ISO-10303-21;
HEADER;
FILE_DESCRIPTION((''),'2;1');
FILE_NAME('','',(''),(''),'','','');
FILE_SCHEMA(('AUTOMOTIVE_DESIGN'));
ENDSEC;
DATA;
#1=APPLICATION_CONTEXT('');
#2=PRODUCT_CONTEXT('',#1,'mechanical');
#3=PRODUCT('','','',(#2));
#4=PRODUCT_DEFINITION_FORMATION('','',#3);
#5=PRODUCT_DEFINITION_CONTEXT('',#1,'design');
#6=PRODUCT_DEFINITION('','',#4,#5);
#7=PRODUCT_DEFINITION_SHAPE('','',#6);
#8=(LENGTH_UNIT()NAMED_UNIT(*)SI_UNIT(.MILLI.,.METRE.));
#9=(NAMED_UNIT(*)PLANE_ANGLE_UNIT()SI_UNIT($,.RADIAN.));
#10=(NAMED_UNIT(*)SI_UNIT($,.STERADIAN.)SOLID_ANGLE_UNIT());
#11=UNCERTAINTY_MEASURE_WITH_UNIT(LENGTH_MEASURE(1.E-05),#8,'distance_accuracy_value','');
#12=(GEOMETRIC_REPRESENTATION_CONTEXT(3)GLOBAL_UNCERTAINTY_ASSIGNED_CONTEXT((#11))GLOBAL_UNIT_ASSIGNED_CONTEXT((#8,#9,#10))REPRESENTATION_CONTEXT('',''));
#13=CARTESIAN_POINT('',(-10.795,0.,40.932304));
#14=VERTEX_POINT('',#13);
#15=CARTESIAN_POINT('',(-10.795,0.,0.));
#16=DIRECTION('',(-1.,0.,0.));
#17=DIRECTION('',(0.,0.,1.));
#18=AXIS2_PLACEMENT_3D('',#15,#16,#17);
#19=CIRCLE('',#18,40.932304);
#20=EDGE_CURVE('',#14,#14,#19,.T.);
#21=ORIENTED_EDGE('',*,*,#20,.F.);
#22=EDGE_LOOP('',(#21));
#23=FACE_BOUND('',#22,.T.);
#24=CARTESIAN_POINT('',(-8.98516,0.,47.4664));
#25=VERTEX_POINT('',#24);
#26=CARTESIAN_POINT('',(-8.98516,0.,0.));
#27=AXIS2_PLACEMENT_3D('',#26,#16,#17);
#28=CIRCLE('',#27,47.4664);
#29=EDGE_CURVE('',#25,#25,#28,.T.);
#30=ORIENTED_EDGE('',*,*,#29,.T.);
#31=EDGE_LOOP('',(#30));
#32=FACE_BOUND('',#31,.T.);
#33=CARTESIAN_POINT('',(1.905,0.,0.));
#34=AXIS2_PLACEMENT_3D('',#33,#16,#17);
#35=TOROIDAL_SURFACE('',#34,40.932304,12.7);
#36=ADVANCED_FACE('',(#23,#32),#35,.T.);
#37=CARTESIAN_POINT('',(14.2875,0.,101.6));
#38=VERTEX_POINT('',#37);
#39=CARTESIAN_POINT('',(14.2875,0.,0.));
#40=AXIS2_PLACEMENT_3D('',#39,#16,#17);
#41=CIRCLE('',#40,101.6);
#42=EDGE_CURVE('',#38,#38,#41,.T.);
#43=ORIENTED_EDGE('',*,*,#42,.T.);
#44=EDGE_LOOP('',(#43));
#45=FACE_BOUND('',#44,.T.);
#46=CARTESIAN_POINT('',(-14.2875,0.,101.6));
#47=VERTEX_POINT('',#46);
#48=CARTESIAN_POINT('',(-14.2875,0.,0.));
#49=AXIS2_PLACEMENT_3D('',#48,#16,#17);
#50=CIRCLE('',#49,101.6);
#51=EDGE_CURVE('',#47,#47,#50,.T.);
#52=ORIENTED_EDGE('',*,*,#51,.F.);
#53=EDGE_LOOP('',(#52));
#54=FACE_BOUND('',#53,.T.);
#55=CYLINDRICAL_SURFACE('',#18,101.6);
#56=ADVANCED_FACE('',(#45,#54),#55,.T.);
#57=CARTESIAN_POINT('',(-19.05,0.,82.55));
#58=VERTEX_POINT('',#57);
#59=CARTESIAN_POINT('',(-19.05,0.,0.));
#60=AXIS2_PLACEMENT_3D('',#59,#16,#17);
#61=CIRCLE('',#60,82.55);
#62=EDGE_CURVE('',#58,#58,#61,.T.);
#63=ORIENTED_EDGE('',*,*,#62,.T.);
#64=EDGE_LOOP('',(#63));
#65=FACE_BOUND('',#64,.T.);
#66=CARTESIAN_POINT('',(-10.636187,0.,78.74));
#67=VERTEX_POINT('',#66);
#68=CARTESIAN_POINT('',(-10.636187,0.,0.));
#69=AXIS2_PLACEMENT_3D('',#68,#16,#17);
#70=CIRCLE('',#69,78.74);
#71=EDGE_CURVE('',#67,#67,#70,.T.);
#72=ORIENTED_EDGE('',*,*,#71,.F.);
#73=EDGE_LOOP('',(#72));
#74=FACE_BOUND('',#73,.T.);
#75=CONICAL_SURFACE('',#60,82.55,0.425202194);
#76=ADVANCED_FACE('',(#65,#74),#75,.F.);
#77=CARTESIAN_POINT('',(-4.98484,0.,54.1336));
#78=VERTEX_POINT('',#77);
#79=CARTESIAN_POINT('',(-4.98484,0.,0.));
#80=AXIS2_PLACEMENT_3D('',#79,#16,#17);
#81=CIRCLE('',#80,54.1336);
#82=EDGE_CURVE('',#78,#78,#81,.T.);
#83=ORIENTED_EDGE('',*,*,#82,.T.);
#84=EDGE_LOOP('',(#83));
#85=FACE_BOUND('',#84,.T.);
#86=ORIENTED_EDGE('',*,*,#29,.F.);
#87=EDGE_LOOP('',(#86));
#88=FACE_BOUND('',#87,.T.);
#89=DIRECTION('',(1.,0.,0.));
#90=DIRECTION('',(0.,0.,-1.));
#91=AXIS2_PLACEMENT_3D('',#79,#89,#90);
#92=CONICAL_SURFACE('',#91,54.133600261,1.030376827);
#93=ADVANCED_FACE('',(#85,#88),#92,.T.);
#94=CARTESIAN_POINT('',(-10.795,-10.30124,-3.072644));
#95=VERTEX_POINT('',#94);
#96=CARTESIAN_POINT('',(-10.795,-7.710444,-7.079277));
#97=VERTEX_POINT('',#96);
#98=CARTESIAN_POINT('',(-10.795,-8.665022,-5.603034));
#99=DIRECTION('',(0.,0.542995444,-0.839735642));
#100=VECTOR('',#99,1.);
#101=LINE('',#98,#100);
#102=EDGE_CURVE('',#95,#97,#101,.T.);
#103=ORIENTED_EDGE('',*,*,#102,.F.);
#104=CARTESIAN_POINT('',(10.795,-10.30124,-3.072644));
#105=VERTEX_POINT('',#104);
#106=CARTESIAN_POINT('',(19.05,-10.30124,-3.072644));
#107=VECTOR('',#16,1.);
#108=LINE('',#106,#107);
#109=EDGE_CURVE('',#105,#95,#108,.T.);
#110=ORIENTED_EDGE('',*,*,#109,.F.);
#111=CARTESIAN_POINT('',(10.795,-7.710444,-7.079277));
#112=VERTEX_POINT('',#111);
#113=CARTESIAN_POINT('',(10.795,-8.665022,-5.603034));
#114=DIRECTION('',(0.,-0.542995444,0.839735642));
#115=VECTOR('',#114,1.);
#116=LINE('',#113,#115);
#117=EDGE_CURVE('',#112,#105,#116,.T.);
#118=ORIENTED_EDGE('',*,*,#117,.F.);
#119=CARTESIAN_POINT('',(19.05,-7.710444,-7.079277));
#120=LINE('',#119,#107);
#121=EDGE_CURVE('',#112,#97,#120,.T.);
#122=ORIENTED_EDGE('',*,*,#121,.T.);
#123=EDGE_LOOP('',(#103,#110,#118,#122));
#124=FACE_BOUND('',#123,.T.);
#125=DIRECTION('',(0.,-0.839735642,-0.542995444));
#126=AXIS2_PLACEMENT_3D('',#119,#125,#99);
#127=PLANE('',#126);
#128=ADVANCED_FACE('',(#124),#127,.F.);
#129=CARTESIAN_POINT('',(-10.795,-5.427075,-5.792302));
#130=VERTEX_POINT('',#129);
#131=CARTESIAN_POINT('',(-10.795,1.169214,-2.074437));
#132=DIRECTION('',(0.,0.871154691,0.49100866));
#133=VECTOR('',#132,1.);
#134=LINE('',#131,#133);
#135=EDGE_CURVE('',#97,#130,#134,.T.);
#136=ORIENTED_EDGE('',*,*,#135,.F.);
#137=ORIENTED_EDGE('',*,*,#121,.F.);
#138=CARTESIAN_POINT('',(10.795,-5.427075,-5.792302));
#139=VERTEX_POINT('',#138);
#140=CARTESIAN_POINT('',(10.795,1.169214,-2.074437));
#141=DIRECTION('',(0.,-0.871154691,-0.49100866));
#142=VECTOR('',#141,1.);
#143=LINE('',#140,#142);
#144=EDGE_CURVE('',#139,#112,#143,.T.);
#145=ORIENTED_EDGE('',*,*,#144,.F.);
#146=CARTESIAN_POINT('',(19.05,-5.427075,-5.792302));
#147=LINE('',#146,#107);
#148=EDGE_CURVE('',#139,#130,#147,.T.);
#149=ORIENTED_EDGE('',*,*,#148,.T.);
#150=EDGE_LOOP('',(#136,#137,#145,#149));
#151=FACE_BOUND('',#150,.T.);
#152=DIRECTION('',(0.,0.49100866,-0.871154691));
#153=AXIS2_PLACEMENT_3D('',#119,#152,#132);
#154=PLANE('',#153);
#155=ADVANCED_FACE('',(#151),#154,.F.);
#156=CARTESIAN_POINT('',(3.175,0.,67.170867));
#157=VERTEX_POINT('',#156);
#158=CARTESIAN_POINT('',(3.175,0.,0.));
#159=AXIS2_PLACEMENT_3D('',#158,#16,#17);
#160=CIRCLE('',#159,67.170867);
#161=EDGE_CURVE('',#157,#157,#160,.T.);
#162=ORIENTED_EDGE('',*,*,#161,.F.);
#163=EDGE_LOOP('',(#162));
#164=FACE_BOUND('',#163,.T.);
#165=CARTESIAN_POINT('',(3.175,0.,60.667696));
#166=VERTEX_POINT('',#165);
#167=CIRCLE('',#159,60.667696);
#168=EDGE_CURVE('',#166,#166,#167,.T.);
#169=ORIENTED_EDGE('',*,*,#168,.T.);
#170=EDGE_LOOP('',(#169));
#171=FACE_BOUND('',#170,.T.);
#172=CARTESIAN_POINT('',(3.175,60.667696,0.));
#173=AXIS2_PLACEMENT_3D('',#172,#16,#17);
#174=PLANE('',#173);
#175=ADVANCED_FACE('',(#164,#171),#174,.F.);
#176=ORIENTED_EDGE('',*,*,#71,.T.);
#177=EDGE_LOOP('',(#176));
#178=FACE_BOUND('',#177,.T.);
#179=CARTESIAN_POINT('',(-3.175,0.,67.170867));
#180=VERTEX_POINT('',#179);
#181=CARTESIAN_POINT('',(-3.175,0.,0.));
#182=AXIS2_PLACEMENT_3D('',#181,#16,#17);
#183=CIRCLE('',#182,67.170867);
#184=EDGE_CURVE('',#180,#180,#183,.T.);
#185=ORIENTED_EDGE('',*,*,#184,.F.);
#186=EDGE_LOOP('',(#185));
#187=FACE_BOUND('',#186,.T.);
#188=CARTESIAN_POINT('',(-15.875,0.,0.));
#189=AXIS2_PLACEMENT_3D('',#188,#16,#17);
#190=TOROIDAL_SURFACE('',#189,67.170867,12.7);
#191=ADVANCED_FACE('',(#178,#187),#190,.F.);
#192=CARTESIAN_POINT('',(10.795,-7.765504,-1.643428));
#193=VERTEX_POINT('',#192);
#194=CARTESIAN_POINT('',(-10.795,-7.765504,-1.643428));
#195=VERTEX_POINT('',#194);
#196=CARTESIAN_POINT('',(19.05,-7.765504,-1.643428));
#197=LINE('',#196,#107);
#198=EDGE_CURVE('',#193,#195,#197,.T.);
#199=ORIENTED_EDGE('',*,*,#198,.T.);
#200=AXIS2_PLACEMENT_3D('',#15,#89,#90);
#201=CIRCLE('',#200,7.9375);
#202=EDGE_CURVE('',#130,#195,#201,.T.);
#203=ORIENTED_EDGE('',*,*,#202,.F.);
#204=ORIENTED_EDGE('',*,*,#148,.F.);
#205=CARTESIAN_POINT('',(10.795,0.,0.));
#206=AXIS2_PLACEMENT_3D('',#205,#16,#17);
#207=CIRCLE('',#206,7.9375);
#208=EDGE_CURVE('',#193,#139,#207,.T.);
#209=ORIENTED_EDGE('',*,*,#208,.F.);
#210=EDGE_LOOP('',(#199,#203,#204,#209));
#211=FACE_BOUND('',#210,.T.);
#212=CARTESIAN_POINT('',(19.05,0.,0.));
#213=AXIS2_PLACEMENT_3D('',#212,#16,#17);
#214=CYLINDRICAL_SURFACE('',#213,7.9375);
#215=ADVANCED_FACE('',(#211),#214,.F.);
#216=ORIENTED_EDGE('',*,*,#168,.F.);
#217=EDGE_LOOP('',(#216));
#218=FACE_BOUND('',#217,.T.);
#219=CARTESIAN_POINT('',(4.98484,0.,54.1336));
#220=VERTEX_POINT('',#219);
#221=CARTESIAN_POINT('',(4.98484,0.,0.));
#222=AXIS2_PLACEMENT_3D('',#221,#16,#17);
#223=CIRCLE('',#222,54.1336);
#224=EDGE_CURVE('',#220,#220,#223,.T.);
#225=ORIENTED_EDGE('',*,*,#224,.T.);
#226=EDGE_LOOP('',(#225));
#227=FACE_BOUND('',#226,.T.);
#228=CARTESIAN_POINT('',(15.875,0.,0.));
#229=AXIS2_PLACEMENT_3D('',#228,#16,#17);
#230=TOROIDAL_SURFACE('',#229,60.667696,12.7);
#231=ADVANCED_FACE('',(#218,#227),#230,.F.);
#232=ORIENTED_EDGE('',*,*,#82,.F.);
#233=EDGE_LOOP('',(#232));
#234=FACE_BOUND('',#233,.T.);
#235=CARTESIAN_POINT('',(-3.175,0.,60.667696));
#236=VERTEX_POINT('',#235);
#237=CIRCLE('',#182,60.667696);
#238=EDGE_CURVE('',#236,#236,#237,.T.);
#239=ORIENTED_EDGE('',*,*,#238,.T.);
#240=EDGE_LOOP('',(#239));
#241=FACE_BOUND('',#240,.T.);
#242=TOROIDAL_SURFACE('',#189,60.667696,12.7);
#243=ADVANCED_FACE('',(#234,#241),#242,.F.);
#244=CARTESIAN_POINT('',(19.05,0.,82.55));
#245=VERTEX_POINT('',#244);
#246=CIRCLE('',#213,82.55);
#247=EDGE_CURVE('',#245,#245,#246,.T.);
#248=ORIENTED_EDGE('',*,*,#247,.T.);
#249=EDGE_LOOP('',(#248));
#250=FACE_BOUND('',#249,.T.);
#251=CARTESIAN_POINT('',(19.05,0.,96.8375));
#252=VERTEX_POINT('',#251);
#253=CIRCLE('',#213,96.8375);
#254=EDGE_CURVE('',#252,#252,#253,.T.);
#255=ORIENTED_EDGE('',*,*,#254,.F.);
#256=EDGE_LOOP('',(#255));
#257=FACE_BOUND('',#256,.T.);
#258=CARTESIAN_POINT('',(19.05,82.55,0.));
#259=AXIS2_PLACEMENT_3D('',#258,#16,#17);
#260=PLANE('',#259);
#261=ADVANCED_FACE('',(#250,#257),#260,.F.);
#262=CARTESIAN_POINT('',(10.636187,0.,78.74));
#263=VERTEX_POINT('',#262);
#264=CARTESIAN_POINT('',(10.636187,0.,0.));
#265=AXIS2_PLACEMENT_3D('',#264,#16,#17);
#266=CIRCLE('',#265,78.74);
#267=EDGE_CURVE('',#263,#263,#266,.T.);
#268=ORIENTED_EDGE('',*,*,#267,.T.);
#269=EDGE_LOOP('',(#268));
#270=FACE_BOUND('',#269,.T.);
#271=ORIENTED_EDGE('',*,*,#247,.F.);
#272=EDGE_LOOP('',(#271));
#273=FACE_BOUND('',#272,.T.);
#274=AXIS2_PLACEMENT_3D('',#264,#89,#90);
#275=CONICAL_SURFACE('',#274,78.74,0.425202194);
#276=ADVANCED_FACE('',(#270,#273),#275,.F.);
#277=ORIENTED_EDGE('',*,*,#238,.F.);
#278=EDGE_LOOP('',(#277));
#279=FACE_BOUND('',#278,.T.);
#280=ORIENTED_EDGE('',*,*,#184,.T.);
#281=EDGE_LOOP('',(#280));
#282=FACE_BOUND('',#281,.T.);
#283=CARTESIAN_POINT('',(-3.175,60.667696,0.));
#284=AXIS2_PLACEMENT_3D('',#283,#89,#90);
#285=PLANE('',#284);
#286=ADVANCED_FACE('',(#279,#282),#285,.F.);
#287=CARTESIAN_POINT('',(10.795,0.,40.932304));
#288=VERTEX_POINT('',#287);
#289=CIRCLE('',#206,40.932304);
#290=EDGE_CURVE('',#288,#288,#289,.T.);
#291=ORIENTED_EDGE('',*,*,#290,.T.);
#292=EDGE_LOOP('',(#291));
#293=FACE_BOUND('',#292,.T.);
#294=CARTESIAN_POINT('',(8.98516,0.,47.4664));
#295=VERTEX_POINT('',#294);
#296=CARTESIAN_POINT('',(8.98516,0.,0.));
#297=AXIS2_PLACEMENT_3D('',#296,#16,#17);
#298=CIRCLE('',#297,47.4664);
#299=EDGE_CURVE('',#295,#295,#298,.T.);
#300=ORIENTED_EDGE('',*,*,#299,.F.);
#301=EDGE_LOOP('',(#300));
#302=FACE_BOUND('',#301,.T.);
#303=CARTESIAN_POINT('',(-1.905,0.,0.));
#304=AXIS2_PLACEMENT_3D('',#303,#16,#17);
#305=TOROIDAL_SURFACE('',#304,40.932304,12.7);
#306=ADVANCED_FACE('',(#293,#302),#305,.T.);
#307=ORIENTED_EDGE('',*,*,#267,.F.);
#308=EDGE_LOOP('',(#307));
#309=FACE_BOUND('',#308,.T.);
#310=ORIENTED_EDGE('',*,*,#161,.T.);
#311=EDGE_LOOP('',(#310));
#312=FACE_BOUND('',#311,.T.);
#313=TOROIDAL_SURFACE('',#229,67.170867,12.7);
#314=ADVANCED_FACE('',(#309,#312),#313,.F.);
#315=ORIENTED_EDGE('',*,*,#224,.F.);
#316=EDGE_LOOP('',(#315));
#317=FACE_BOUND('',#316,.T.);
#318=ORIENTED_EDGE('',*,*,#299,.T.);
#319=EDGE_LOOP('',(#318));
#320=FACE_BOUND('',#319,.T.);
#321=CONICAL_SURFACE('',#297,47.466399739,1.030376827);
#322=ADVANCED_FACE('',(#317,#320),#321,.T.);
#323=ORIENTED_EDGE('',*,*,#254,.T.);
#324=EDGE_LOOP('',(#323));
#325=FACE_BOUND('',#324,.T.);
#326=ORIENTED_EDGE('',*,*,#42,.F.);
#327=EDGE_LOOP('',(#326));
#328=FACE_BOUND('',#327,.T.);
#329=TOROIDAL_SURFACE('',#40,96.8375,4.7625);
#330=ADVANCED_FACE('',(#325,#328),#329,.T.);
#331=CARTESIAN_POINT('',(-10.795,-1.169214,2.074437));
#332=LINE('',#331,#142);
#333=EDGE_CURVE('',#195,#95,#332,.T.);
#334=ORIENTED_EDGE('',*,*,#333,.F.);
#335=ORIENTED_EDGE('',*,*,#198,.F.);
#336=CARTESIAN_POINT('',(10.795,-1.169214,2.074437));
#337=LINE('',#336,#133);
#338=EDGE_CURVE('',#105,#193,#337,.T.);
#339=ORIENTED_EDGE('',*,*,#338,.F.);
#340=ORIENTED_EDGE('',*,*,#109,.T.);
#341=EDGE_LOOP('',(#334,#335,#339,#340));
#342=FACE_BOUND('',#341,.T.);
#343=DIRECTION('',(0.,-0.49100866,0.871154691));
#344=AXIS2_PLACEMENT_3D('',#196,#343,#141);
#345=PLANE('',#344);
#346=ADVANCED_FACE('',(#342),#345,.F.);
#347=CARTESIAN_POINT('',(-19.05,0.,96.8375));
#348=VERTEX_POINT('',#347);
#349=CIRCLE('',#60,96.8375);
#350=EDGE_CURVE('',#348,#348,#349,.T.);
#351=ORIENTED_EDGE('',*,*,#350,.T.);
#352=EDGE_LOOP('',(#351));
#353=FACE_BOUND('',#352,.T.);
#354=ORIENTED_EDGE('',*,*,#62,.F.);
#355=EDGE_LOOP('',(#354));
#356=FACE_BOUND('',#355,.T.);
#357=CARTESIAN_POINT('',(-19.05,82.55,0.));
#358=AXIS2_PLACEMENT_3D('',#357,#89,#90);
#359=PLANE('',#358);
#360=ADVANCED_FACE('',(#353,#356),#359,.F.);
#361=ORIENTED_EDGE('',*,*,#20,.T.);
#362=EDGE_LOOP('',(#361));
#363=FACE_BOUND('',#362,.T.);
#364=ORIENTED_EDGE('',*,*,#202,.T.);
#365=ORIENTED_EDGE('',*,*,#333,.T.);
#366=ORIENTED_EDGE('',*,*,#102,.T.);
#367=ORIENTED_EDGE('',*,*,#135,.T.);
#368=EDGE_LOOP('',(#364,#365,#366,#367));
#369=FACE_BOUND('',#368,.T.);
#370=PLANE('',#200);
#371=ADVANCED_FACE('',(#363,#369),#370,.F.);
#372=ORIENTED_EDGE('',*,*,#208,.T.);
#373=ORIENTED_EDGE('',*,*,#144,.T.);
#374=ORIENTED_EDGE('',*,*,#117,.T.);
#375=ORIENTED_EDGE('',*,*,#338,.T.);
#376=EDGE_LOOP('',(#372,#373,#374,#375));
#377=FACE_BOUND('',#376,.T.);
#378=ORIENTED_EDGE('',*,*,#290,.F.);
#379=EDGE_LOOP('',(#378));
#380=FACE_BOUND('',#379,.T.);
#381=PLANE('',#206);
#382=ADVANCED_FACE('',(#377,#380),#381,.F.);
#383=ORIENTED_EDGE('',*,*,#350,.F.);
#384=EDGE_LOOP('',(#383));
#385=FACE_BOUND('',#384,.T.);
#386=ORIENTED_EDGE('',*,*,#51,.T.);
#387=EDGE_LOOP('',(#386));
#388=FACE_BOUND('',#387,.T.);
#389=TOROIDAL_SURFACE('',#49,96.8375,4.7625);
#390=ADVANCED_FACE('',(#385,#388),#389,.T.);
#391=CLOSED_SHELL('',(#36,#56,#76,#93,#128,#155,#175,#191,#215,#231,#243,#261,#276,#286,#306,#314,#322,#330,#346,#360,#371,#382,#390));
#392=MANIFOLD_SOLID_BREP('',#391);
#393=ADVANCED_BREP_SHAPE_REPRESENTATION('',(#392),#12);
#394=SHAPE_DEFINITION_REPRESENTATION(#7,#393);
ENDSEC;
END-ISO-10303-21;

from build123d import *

# Parameters (mm, degrees)
CUT_EXTRUDE1_DEPTH      = 147.750959265
CUT_EXTRUDE1_DEPTH_BACK = 147.750959265


with BuildPart() as part:
    # Sketch1 → Revolve1 (revolve)
    with BuildSketch(Plane.XY, mode=Mode.PRIVATE) as revolve1_sk:
        with BuildLine():
            Line((-10.795, 0), (-10.795, 40.932303645))
            ThreePointArc((-10.795, 40.932303645), (-10.334179588, 44.322360135), (-8.985160157, 47.466399739))
            Line((-8.985160157, 47.466399739), (-4.984839843, 54.133600261))
            ThreePointArc((-4.984839843, 54.133600261), (-3.635820412, 57.277639865), (-3.175, 60.667696355))
            Line((-3.175, 60.667696355), (-3.175, 67.170867113))
            ThreePointArc((-3.175, 67.170867113), (-5.202068626, 74.054073915), (-10.636186753, 78.74))
            Line((-10.636186753, 78.74), (-19.05, 82.55))
            Line((-19.05, 82.55), (-19.05, 96.8375))
            ThreePointArc((-19.05, 96.8375), (-17.655096045, 100.205096045), (-14.2875, 101.6))
            Line((-14.2875, 101.6), (14.2875, 101.6))
            ThreePointArc((14.2875, 101.6), (17.655096045, 100.205096045), (19.05, 96.8375))
            Line((19.05, 96.8375), (19.05, 82.55))
            Line((19.05, 82.55), (10.636186753, 78.74))
            ThreePointArc((10.636186753, 78.74), (5.202068626, 74.054073915), (3.175, 67.170867113))
            Line((3.175, 67.170867113), (3.175, 60.667696355))
            ThreePointArc((3.175, 60.667696355), (3.635820412, 57.277639865), (4.984839843, 54.133600261))
            Line((4.984839843, 54.133600261), (8.985160157, 47.466399739))
            ThreePointArc((8.985160157, 47.466399739), (10.334179588, 44.322360135), (10.795, 40.932303645))
            Line((10.795, 40.932303645), (10.795, 0))
            Line((10.795, 0), (-10.795, 0))
        make_face()
    revolve(revolve1_sk.sketch.rotate(Axis((-10.795, 0, 0), (1, 0, 0)), 90), axis=Axis((-10.795, 0, 0), (1, 0, 0)))

    # Sketch2 → Cut-Extrude1 (cut, two sides: drawn at the far end of the back side and taken through both)
    with BuildSketch(Plane.ZY.offset(10.795).offset(-CUT_EXTRUDE1_DEPTH_BACK)):
        with BuildLine():
            Line((-7.079276607, -7.710444497), (-3.072643811, -10.301240032))
            Line((-3.072643811, -10.301240032), (-1.643427642, -7.765503965))
            ThreePointArc((-1.643427642, -7.765503965), (3.897381242, 6.914790359), (-5.792301857, -5.42707522))
            Line((-5.792301857, -5.42707522), (-7.079276607, -7.710444497))
        make_face()
    extrude(amount=CUT_EXTRUDE1_DEPTH + CUT_EXTRUDE1_DEPTH_BACK, mode=Mode.SUBTRACT)


solid = part.part
